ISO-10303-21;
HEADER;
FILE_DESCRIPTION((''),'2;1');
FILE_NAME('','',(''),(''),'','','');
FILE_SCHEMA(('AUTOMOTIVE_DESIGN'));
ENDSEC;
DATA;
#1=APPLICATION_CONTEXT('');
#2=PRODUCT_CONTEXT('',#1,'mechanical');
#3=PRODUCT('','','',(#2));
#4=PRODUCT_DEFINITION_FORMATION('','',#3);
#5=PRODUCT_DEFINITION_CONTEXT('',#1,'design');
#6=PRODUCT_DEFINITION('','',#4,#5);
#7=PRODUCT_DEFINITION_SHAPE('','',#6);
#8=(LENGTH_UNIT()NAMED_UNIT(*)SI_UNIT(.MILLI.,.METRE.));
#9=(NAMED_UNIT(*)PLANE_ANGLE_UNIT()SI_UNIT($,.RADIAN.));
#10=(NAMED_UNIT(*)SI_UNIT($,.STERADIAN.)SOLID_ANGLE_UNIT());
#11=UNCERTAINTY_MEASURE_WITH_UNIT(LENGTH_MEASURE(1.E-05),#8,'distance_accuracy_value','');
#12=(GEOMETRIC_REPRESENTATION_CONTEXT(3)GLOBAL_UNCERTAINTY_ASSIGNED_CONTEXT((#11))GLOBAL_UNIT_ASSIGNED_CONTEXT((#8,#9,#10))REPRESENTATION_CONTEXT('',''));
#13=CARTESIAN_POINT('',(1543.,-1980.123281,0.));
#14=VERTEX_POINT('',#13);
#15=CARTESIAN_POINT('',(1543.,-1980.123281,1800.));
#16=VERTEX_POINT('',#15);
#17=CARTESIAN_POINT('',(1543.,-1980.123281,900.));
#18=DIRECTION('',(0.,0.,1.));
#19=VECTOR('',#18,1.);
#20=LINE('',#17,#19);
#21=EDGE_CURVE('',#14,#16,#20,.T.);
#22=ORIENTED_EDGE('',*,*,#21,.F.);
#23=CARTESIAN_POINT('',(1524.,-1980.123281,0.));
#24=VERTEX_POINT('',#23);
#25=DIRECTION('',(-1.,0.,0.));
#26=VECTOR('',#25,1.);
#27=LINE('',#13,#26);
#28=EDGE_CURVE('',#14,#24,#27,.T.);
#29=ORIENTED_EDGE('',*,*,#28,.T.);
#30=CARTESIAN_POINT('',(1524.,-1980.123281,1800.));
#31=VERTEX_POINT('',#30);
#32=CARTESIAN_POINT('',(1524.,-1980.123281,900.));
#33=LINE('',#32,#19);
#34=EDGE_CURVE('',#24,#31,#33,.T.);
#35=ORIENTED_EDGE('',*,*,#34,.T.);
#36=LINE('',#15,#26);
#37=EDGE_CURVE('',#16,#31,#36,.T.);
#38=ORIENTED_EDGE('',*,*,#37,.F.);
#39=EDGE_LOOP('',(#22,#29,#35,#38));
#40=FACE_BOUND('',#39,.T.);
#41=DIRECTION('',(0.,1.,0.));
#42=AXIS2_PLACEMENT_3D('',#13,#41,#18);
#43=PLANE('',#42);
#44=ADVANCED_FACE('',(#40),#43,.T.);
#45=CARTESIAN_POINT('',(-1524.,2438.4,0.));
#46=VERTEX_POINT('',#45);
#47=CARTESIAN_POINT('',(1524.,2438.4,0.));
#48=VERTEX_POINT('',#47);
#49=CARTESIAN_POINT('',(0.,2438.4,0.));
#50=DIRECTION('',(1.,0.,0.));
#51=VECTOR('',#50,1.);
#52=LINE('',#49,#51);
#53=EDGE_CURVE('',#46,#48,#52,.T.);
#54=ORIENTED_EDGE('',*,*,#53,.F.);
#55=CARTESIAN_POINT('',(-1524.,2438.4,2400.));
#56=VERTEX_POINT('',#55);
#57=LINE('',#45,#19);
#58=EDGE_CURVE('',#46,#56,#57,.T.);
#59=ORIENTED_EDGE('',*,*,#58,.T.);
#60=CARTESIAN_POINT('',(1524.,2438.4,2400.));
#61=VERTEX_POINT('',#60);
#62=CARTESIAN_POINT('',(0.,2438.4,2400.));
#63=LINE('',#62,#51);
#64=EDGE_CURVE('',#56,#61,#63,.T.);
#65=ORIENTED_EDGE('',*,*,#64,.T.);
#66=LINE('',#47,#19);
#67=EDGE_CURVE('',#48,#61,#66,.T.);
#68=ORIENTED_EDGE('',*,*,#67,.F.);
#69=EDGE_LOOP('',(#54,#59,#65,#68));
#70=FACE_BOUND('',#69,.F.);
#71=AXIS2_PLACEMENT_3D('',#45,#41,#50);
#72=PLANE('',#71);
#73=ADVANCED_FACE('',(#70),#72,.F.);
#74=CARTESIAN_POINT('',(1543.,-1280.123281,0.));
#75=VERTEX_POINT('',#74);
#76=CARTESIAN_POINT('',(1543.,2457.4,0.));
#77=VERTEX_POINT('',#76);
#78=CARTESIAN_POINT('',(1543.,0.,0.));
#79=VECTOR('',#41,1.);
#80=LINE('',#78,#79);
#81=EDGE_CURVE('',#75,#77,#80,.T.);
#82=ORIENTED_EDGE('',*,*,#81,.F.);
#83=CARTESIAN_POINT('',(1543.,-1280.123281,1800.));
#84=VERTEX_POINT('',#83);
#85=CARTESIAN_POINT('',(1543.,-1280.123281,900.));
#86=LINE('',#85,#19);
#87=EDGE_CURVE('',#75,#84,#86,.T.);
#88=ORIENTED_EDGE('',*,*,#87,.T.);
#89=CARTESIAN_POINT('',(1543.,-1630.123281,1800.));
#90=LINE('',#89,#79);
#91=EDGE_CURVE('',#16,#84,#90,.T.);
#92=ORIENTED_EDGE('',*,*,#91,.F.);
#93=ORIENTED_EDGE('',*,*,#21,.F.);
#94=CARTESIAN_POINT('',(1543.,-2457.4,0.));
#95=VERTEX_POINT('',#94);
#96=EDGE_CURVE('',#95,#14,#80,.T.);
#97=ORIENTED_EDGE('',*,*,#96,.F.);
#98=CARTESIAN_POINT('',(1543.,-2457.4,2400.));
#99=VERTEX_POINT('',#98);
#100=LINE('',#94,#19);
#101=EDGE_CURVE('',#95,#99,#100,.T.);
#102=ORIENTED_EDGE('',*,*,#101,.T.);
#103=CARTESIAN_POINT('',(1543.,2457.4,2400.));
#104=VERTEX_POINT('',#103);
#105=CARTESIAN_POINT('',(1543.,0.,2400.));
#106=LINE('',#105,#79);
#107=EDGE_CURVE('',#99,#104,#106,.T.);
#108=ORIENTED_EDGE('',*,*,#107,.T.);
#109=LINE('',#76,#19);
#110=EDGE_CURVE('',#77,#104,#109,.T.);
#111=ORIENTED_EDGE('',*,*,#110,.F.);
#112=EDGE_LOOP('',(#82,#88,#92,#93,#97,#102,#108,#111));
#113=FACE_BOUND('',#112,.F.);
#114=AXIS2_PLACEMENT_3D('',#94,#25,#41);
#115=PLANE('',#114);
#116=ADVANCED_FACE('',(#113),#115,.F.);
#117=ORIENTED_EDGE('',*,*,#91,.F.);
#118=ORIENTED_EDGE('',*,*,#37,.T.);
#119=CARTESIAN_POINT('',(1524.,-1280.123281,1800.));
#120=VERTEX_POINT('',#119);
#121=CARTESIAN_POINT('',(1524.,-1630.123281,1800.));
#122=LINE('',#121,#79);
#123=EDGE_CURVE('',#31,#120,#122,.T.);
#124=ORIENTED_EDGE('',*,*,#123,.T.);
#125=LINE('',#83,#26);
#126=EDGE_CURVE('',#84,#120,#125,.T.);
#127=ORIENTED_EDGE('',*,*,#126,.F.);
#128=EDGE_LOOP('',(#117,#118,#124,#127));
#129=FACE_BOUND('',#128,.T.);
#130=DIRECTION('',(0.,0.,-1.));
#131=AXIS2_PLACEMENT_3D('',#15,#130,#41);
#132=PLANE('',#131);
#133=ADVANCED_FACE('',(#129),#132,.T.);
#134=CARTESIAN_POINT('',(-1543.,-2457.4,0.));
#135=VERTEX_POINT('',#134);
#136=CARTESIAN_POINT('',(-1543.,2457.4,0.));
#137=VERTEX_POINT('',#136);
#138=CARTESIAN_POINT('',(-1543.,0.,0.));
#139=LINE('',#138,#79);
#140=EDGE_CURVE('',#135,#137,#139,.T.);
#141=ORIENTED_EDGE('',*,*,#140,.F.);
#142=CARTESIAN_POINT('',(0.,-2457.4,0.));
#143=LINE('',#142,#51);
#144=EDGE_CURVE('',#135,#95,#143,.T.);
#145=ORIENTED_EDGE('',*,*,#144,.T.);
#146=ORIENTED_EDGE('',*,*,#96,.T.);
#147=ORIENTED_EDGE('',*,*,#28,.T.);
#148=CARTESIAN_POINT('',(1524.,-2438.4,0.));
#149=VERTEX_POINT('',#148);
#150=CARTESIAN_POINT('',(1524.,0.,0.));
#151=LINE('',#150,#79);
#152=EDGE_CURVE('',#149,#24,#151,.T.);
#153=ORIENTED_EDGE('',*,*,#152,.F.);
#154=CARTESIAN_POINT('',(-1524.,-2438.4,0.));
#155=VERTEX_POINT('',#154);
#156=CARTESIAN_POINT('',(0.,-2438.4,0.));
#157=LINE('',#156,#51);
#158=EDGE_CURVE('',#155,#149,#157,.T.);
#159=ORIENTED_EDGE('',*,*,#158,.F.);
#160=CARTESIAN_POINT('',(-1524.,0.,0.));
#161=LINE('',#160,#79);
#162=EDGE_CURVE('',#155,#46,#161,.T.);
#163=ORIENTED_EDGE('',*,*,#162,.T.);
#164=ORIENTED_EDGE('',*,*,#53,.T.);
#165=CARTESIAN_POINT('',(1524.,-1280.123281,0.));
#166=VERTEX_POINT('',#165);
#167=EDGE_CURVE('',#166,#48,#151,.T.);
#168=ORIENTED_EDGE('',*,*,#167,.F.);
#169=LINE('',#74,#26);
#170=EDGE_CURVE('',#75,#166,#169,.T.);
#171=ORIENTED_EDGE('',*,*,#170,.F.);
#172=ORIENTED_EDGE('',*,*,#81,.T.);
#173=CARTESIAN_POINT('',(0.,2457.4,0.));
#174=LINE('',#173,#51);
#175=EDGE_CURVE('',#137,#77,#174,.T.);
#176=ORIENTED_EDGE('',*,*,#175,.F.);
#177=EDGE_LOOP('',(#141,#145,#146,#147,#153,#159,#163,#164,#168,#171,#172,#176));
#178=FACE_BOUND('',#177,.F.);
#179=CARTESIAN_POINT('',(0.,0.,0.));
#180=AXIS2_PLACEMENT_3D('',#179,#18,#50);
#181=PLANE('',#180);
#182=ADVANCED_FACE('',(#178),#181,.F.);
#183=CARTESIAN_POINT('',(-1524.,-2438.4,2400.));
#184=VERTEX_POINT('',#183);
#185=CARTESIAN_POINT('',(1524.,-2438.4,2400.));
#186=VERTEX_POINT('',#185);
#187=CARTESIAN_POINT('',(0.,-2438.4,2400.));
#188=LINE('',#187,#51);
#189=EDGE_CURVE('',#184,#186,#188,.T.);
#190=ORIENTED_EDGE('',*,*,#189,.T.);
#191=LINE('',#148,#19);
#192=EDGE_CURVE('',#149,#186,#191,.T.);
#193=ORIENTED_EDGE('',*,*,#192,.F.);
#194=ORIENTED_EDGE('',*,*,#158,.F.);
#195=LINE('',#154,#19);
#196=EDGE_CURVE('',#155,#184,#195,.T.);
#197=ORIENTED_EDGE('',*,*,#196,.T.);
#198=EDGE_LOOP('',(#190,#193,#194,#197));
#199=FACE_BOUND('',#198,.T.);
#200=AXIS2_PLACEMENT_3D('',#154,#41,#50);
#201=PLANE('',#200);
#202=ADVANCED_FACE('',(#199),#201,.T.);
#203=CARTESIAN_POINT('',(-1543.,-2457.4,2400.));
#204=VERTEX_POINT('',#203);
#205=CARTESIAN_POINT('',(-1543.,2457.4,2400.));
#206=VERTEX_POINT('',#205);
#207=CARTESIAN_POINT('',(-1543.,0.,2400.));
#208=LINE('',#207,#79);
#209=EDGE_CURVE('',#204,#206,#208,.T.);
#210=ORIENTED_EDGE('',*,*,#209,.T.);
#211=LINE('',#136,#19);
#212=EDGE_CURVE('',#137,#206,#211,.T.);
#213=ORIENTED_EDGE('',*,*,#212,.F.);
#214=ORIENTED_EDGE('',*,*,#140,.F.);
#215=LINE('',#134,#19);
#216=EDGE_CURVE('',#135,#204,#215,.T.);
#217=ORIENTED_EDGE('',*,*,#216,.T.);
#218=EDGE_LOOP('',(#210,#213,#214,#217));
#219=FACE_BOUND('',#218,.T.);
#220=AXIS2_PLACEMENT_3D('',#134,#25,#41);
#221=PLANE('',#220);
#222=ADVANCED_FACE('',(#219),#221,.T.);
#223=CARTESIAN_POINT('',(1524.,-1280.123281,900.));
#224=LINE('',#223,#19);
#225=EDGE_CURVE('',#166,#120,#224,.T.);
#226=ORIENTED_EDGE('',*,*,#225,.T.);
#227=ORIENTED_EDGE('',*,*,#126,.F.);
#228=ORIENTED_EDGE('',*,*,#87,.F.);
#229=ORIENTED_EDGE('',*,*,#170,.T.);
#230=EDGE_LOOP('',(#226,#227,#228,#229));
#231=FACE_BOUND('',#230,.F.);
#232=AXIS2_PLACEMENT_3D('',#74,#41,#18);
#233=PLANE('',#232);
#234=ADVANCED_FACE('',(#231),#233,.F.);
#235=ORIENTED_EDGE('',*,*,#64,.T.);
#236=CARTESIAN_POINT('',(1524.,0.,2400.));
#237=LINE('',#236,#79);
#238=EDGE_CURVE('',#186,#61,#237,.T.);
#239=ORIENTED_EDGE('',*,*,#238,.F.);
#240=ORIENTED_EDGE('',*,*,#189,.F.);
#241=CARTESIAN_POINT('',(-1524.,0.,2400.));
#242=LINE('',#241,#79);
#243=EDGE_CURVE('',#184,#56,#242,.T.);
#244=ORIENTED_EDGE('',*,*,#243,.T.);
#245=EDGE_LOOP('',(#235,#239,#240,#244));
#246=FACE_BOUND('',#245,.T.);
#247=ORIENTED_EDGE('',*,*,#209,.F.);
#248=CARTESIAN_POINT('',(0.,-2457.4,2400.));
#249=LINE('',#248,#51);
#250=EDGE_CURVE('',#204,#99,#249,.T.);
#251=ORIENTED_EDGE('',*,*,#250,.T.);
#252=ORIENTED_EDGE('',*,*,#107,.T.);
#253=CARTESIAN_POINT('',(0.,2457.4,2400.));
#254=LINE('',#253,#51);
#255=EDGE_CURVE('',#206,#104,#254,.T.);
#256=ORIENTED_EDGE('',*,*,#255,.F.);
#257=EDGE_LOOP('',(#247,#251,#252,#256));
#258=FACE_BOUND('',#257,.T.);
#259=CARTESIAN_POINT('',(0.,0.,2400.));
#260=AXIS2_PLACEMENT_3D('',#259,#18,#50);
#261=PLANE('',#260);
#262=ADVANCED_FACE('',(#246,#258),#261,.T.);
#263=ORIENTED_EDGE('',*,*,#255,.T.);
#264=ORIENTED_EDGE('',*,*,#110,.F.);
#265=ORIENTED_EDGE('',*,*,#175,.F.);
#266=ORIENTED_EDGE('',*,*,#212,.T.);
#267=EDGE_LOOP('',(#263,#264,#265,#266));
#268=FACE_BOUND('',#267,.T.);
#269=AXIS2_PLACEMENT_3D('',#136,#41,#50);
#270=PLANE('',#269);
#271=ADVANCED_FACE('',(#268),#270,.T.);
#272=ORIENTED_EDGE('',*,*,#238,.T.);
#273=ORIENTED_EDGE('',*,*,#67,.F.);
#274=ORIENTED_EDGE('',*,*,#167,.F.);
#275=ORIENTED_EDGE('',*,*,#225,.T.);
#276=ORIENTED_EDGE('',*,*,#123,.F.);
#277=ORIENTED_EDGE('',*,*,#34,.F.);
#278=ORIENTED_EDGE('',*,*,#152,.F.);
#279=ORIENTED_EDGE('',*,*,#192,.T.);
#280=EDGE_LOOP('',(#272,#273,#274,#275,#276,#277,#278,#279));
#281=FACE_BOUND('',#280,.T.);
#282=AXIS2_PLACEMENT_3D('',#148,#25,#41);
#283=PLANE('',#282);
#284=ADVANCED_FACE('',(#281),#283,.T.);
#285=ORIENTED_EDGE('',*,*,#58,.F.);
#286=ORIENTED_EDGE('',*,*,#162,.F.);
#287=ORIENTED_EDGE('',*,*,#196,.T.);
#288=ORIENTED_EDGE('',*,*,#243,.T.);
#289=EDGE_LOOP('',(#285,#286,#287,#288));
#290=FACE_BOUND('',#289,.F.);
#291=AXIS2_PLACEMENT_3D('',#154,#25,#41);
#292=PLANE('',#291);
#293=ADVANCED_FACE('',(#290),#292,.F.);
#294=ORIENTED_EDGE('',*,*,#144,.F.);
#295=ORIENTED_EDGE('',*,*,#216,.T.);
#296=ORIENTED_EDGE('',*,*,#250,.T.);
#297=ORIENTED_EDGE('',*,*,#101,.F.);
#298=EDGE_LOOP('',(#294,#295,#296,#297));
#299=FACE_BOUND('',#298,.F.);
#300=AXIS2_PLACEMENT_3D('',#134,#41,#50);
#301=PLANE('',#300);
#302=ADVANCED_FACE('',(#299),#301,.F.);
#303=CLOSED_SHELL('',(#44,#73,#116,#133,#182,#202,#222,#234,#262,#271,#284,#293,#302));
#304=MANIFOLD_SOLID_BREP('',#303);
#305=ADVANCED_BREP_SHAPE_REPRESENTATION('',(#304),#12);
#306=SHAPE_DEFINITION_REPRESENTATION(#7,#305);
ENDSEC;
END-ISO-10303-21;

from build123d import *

# Parameters (mm, degrees)
F0_W     = 3086
F0_H     = 4914.8
F0_W_2   = 3048
F0_H_2   = 4876.8
F1_DEPTH = 2400
F2_W     = 700
F2_H     = 1800
F3_DEPTH = 19


with BuildPart() as f1:
    # F0 (on Top) → F1 (new body)
    with BuildSketch(Plane.XY):
        Rectangle(F0_W, F0_H)
        Rectangle(F0_W_2, F0_H_2, mode=Mode.SUBTRACT)
    extrude(amount=F1_DEPTH)

    # F2 (on face) → F3 (cut, through all)
    with BuildSketch(Plane.YZ.offset(1543)):
        with Locations((-1630.123281, 900)):
            Rectangle(F2_W, F2_H)
    extrude(amount=-F3_DEPTH, mode=Mode.SUBTRACT)


solid = f1.part
